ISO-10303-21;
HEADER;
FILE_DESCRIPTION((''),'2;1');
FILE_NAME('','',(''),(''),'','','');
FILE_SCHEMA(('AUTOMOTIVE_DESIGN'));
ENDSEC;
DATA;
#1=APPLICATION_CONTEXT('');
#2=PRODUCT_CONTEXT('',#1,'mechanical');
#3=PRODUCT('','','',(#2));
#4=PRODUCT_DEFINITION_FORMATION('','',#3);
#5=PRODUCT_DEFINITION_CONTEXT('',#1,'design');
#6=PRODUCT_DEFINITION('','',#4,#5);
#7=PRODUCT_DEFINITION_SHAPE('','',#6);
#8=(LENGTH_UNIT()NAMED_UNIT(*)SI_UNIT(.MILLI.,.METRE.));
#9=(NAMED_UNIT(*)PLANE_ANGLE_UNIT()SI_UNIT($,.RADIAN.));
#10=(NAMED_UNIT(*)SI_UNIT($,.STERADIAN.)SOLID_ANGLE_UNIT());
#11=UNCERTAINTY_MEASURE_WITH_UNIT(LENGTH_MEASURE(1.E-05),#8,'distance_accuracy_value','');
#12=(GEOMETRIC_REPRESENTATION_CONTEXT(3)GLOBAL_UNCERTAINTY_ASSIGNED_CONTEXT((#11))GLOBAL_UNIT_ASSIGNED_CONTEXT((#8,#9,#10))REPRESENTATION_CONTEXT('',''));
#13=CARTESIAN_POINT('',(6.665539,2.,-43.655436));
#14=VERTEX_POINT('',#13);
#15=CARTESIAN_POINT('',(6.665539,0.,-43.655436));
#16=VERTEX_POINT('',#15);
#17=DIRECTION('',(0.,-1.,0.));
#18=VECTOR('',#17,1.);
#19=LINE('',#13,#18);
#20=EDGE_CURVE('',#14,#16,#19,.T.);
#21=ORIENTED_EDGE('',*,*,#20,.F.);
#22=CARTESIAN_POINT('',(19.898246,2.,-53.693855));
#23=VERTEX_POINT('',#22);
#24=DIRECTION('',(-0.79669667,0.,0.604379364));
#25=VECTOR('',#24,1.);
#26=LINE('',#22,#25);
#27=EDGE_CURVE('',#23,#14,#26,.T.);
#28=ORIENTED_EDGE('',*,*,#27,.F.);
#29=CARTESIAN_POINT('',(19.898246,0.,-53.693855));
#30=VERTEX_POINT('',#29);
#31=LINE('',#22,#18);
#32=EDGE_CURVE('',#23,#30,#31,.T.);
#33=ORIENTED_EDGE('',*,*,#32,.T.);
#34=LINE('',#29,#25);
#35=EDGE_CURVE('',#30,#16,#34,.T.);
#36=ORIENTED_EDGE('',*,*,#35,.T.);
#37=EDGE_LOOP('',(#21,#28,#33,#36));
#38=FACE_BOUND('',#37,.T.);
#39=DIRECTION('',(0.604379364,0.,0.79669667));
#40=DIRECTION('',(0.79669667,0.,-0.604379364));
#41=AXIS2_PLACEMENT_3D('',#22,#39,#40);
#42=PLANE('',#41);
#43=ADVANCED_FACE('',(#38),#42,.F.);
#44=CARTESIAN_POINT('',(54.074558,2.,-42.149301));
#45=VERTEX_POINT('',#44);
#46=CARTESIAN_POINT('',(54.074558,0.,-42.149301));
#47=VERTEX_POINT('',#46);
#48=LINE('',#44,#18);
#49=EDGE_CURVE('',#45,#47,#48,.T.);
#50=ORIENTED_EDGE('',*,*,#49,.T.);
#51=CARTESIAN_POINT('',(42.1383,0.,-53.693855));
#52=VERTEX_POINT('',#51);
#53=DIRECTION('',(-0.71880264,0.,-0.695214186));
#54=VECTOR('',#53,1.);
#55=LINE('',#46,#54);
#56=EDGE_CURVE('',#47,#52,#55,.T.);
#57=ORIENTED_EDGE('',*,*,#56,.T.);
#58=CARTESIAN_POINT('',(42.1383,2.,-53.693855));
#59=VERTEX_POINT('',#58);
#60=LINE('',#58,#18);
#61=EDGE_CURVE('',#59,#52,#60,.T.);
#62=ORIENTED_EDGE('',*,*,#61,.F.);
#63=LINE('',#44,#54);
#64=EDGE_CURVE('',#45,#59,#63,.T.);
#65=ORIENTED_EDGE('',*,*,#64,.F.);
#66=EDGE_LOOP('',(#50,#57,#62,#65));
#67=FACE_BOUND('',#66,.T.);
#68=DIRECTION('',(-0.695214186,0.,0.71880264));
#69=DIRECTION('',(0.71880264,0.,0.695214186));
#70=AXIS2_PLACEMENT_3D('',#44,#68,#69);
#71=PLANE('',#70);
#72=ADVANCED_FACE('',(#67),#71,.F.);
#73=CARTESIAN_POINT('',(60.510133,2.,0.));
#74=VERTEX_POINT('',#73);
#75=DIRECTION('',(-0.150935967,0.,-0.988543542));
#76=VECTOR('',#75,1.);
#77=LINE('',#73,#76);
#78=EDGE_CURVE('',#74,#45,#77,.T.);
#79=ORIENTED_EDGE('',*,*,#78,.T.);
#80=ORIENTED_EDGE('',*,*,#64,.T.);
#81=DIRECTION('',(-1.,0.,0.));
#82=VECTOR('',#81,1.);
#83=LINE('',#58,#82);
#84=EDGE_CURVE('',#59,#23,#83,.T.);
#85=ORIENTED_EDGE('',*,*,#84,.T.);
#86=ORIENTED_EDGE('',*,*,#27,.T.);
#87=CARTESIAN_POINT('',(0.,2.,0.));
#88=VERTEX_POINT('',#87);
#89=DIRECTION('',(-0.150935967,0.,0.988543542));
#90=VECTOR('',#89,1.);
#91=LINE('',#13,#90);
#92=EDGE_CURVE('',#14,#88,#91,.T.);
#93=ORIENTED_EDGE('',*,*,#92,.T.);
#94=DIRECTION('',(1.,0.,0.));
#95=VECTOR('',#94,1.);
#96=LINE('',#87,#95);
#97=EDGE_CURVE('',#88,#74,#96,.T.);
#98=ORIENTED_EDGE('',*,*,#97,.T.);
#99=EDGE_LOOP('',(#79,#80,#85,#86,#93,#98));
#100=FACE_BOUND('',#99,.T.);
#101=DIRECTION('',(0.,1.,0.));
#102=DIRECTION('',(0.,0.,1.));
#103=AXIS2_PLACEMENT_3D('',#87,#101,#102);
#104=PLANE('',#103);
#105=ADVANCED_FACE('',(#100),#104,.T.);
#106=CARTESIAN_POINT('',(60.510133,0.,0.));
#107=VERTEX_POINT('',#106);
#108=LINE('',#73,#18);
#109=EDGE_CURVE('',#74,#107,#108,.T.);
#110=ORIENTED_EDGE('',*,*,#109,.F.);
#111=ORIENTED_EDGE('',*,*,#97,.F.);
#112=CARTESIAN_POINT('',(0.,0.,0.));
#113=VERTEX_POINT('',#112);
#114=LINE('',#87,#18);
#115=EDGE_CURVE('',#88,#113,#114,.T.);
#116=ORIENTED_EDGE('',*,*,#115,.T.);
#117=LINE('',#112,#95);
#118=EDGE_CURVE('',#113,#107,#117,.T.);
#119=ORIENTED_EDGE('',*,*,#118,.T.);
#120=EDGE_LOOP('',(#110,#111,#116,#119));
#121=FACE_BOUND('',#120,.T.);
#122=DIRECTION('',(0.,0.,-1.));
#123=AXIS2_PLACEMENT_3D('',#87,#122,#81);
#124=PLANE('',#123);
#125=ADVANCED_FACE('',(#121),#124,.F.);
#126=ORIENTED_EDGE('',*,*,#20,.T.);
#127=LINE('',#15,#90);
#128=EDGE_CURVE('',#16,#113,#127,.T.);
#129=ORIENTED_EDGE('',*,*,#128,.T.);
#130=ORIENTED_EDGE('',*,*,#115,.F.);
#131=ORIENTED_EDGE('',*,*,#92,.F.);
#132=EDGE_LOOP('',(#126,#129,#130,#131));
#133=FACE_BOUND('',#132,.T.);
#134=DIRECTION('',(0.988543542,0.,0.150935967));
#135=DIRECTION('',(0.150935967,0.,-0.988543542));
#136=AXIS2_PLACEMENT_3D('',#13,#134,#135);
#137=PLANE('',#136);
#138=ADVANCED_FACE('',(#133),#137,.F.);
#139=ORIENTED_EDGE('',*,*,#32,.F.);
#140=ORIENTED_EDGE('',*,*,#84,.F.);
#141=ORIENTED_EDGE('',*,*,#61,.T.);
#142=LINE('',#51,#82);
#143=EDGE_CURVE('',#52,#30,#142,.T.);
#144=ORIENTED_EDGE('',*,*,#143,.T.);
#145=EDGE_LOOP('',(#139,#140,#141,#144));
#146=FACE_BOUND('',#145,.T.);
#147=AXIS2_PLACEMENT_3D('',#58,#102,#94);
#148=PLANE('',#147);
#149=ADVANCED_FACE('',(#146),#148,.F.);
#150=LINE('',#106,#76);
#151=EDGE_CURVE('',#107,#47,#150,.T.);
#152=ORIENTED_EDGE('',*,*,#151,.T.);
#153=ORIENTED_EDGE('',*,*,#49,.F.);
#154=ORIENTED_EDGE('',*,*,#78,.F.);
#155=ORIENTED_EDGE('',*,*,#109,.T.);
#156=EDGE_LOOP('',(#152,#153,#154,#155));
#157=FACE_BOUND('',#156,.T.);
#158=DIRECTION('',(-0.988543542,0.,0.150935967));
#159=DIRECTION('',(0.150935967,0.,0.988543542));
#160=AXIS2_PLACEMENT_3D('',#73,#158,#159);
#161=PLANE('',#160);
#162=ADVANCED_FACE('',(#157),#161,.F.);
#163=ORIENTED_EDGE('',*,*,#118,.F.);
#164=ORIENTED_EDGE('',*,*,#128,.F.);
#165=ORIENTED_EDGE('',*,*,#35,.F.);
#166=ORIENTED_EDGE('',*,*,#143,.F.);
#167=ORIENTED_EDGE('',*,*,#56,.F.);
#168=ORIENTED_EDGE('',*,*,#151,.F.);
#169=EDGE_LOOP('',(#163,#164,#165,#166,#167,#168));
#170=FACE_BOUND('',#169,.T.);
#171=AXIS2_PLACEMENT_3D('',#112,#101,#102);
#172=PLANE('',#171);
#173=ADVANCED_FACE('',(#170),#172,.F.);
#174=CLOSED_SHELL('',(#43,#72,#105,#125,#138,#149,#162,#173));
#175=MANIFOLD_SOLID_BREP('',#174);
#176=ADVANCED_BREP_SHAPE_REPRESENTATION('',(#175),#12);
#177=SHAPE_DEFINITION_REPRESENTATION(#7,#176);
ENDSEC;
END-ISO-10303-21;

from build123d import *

# Parameters (mm, degrees)
BOSS_EXTRU_1_DEPTH = 2


with BuildPart() as part:
    # Esquisse1 → Boss.-Extru.1 (new body)
    with BuildSketch(Plane(origin=(0, 0, 0), x_dir=(1, 0, 0), z_dir=(0, 1, 0))):
        Polygon((60.51013277, 0), (54.074558367, 42.149300971), (42.138299908, 53.693855418), (19.898246387, 53.693855418), (6.665538932, 43.655436017), (0, 0), align=None)
    extrude(amount=BOSS_EXTRU_1_DEPTH)


solid = part.part
